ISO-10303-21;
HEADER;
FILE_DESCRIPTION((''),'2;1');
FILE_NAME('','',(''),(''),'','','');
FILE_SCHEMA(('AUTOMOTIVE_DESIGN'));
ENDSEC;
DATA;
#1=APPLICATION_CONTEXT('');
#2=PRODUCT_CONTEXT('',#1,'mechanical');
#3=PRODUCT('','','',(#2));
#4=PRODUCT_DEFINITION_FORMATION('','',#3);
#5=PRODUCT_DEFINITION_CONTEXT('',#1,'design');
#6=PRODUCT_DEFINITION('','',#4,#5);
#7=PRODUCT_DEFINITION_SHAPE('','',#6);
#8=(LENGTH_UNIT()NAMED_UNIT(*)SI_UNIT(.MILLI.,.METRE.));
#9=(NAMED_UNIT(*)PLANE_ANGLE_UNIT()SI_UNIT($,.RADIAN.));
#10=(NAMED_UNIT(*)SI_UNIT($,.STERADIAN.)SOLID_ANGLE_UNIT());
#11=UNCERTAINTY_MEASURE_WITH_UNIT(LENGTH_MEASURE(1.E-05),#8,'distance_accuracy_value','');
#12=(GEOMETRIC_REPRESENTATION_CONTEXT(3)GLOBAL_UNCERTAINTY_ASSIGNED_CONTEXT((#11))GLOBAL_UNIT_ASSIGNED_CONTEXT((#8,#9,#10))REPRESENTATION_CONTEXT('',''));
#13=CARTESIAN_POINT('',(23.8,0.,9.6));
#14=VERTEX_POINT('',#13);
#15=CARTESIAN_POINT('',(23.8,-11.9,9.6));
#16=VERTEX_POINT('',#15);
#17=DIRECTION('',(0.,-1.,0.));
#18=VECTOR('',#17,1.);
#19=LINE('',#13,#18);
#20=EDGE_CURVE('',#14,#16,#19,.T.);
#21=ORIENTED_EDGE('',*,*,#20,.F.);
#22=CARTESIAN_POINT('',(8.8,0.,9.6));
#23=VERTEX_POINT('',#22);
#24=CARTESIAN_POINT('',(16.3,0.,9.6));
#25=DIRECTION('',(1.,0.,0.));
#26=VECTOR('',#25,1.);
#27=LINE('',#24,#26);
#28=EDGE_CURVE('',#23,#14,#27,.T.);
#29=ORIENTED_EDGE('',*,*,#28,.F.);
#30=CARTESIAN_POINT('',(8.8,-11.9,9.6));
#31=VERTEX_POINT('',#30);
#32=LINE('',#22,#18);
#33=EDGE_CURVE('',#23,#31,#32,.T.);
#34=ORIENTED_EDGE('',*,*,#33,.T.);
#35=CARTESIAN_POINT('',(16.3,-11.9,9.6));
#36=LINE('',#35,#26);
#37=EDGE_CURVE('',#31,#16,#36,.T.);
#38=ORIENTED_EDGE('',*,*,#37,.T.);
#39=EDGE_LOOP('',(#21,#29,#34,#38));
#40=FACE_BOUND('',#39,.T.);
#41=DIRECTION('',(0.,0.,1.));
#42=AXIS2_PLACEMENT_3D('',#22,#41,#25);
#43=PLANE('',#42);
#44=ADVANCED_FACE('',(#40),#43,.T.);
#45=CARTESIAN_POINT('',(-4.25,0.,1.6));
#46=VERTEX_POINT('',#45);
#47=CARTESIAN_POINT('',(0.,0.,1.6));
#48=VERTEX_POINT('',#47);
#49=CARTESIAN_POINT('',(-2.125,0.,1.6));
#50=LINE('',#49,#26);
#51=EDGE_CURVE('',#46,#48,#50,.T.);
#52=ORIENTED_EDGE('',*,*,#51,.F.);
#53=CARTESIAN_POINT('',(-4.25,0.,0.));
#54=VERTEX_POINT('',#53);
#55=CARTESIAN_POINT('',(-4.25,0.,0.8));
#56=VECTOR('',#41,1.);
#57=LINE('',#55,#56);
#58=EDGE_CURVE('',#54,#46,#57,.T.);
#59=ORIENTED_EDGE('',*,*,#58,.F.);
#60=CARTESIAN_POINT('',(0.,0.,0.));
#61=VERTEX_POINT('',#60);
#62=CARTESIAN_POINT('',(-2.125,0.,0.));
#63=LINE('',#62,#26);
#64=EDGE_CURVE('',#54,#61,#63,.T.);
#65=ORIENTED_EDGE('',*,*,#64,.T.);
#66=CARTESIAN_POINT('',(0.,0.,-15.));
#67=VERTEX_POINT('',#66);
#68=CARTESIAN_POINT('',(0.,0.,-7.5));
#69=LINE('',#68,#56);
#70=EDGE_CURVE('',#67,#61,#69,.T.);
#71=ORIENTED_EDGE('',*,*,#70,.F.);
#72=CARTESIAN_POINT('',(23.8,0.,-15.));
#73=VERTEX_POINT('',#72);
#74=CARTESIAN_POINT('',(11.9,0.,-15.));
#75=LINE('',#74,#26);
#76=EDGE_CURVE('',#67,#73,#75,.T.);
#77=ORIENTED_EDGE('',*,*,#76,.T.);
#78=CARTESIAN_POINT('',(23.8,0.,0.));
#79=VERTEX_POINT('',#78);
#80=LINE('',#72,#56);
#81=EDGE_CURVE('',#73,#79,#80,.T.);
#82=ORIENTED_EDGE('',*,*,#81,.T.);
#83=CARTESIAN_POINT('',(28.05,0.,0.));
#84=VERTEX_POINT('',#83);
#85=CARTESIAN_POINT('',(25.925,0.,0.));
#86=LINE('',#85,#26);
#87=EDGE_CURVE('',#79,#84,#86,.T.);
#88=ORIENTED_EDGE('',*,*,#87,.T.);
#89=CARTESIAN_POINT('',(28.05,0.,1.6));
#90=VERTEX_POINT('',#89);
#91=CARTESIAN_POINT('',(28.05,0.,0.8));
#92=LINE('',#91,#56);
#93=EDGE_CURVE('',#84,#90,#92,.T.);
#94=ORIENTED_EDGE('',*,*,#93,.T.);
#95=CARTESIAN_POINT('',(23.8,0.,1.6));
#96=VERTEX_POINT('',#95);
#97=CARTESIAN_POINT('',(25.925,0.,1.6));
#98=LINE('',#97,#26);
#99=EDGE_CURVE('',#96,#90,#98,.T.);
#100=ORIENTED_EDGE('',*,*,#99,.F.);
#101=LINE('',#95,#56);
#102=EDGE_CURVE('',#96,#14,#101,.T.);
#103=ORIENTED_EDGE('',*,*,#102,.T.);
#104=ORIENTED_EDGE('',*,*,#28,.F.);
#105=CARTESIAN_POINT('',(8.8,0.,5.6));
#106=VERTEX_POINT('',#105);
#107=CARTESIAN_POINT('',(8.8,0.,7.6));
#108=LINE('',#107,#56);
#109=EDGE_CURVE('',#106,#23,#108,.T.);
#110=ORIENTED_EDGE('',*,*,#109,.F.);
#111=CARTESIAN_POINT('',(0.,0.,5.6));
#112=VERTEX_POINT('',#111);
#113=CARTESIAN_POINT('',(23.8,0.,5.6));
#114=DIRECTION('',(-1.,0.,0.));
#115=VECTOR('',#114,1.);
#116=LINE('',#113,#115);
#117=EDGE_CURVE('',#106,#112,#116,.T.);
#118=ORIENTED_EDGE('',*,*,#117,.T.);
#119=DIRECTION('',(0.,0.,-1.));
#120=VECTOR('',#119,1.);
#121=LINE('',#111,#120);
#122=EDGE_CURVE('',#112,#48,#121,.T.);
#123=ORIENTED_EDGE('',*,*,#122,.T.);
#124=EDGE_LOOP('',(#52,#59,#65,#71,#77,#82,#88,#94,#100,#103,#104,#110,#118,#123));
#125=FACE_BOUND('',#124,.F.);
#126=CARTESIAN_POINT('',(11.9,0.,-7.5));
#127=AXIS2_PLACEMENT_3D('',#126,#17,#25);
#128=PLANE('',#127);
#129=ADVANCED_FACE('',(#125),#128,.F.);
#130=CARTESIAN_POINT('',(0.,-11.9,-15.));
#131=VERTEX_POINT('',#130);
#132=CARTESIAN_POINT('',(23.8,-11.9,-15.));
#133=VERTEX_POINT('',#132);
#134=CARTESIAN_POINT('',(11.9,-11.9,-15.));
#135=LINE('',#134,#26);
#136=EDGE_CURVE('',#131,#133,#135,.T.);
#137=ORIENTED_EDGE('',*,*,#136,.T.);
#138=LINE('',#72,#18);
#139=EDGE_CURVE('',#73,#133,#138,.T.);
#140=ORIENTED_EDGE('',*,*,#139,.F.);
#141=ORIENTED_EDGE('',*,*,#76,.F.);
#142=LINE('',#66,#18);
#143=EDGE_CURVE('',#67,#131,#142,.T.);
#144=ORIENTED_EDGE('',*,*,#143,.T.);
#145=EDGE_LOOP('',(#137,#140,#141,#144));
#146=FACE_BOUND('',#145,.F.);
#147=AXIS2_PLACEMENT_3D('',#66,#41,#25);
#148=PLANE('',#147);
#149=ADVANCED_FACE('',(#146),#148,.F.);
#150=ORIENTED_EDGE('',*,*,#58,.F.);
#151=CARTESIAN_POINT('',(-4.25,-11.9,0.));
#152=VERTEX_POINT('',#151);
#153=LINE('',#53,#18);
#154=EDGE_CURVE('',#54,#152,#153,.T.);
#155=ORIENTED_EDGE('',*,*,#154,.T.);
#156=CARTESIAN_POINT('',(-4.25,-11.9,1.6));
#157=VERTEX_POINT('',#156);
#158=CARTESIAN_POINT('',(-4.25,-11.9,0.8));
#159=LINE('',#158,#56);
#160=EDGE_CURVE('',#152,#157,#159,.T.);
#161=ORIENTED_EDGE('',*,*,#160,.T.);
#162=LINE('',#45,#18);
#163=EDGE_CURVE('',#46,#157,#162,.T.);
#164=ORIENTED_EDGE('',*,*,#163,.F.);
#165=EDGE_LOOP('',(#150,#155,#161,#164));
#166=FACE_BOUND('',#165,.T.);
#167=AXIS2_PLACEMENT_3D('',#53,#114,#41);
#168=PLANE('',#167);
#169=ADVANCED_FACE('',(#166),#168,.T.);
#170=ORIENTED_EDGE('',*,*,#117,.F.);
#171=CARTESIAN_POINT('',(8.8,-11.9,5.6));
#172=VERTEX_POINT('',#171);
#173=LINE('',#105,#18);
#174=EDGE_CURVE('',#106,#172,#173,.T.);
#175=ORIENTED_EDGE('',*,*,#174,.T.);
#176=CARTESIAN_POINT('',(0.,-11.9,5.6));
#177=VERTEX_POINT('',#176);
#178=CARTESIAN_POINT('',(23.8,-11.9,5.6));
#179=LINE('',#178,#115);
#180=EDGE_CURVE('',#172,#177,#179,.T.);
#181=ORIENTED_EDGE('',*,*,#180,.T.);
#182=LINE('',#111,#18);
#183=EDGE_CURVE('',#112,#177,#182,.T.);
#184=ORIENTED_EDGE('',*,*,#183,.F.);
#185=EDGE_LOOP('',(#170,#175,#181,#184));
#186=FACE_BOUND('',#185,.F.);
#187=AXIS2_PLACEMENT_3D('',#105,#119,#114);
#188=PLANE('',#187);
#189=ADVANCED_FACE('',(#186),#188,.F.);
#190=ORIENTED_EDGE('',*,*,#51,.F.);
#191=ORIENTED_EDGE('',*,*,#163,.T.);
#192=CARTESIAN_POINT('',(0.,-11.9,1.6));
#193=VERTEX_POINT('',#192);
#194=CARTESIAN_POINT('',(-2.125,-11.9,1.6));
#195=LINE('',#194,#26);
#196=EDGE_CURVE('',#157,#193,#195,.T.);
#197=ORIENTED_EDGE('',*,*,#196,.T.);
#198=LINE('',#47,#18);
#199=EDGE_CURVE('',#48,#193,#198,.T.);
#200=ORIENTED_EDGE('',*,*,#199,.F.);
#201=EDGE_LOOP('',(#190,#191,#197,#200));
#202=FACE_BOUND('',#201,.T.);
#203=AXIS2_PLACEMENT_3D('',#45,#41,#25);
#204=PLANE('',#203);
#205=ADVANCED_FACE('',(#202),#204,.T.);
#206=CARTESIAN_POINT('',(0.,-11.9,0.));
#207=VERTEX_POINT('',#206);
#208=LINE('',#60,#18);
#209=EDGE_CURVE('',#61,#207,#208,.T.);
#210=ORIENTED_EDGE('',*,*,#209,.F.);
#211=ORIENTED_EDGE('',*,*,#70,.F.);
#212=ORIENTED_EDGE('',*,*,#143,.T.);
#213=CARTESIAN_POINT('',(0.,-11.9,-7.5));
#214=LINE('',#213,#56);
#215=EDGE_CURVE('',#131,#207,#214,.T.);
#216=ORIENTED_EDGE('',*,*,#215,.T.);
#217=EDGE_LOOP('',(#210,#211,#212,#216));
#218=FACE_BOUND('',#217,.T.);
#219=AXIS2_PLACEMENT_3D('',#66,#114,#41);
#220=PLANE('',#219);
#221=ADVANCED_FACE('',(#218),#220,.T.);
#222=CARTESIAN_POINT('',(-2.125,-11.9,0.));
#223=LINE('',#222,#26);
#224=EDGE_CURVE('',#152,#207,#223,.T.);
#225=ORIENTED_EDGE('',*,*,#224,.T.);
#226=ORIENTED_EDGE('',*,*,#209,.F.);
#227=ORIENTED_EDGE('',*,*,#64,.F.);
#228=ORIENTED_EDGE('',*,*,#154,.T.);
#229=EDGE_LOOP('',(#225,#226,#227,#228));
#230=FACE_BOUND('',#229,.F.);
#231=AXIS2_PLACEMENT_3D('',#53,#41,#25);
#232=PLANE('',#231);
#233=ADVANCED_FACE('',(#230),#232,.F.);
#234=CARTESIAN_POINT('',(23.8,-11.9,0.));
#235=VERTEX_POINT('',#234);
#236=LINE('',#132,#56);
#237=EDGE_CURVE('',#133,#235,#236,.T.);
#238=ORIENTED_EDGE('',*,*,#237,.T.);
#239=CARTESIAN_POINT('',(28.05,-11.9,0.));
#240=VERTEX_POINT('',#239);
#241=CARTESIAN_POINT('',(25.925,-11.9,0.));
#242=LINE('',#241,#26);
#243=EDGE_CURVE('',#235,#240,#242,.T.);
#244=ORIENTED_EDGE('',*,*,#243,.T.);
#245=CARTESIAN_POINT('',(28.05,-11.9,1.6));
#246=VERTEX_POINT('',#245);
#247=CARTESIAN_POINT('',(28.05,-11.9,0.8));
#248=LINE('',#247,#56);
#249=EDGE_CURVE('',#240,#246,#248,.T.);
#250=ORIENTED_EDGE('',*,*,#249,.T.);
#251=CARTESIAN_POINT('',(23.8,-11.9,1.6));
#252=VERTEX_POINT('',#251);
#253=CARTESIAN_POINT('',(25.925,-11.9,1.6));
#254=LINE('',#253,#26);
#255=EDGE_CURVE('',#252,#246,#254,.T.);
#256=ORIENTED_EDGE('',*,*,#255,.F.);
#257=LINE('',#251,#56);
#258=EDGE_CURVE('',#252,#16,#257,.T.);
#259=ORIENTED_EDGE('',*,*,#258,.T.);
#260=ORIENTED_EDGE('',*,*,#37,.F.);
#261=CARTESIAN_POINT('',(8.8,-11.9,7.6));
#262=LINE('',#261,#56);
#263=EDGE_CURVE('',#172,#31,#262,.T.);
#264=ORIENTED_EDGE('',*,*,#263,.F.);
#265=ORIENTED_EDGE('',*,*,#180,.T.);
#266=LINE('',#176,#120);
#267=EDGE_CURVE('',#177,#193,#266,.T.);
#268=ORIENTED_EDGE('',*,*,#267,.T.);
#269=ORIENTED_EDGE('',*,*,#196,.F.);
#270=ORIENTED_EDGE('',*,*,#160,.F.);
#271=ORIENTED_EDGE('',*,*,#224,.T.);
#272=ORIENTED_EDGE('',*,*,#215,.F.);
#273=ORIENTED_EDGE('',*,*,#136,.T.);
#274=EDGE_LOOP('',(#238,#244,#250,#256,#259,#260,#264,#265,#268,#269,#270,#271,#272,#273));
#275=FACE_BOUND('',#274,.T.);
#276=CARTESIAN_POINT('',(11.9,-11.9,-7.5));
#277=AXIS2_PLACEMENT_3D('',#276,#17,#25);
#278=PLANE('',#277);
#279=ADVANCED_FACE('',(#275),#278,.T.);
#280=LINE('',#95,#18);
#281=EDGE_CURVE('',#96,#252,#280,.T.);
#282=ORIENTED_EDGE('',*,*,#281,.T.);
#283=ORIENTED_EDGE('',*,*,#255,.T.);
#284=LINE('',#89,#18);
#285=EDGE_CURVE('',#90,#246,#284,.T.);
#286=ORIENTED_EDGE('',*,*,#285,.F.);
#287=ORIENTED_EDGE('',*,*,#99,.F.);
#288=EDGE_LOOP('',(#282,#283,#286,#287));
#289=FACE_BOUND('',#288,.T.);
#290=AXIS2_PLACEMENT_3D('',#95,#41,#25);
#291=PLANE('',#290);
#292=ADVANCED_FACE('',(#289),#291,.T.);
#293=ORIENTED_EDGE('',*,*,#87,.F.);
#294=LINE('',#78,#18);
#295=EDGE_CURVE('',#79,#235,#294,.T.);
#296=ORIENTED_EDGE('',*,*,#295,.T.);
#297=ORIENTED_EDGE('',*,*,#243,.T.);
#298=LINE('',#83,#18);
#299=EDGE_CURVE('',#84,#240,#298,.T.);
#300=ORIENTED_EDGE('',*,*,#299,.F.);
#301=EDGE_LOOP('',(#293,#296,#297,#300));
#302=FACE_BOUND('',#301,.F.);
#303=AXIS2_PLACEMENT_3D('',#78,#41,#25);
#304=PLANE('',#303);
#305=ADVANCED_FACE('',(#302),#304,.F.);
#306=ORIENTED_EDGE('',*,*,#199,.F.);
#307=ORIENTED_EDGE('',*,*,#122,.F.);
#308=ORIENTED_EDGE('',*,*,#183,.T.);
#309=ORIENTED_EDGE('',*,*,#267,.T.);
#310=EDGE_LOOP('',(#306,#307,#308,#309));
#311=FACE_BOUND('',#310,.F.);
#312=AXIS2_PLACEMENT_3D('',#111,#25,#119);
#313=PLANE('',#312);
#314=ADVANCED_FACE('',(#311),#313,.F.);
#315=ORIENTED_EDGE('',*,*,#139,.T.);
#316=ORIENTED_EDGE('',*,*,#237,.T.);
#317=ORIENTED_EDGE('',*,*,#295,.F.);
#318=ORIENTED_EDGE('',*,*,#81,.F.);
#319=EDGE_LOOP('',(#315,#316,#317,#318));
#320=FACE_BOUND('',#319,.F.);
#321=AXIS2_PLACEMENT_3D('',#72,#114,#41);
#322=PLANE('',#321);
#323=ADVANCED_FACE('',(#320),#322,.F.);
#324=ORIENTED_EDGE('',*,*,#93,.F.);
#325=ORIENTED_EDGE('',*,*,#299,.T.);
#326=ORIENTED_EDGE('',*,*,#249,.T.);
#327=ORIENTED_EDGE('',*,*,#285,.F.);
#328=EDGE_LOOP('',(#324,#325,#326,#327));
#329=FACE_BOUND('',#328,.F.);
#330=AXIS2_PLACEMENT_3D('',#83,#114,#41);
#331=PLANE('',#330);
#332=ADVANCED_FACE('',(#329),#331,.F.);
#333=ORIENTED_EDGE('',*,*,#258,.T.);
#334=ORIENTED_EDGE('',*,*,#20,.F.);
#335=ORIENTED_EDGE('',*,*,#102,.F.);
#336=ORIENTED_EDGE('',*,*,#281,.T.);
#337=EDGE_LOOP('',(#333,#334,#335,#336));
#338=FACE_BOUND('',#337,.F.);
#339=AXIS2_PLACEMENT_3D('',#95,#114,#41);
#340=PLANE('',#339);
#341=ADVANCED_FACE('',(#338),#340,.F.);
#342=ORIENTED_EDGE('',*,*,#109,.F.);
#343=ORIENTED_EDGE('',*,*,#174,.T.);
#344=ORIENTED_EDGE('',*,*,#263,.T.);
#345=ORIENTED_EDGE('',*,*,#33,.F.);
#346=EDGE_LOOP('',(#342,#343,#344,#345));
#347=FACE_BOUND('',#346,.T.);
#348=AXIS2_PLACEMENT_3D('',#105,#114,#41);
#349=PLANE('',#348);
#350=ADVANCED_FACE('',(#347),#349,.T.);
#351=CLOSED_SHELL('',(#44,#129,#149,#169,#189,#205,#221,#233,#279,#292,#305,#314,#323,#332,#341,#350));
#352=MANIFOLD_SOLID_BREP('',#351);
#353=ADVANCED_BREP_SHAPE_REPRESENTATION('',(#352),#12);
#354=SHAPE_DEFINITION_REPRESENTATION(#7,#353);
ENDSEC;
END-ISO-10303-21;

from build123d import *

# Parameters (mm, degrees)
F0_W     = 23.8
F0_H     = 15
F0_W_2   = 4.25
F0_H_2   = 1.6
F0_W_3   = 15
F0_H_3   = 4
F1_DEPTH = 11.9


with BuildPart() as f1:
    # F0 (on Front) → F1 (new body)
    with BuildSketch(Plane.XZ):
        with Locations((11.9, -7.5)):
            Rectangle(F0_W, F0_H)
        Polygon((8.8, 5.6), (0, 5.6), (0, 1.6), (23.8, 1.6), (23.8, 5.6), align=None)
        with Locations((-2.125, 0.8)):
            Rectangle(F0_W_2, F0_H_2)
        with Locations((11.9, 0.8)):
            Rectangle(F0_W, F0_H_2)
        with Locations((25.925, 0.8)):
            Rectangle(F0_W_2, F0_H_2)
        with Locations((16.3, 7.6)):
            Rectangle(F0_W_3, F0_H_3)
    extrude(amount=F1_DEPTH)


solid = f1.part
